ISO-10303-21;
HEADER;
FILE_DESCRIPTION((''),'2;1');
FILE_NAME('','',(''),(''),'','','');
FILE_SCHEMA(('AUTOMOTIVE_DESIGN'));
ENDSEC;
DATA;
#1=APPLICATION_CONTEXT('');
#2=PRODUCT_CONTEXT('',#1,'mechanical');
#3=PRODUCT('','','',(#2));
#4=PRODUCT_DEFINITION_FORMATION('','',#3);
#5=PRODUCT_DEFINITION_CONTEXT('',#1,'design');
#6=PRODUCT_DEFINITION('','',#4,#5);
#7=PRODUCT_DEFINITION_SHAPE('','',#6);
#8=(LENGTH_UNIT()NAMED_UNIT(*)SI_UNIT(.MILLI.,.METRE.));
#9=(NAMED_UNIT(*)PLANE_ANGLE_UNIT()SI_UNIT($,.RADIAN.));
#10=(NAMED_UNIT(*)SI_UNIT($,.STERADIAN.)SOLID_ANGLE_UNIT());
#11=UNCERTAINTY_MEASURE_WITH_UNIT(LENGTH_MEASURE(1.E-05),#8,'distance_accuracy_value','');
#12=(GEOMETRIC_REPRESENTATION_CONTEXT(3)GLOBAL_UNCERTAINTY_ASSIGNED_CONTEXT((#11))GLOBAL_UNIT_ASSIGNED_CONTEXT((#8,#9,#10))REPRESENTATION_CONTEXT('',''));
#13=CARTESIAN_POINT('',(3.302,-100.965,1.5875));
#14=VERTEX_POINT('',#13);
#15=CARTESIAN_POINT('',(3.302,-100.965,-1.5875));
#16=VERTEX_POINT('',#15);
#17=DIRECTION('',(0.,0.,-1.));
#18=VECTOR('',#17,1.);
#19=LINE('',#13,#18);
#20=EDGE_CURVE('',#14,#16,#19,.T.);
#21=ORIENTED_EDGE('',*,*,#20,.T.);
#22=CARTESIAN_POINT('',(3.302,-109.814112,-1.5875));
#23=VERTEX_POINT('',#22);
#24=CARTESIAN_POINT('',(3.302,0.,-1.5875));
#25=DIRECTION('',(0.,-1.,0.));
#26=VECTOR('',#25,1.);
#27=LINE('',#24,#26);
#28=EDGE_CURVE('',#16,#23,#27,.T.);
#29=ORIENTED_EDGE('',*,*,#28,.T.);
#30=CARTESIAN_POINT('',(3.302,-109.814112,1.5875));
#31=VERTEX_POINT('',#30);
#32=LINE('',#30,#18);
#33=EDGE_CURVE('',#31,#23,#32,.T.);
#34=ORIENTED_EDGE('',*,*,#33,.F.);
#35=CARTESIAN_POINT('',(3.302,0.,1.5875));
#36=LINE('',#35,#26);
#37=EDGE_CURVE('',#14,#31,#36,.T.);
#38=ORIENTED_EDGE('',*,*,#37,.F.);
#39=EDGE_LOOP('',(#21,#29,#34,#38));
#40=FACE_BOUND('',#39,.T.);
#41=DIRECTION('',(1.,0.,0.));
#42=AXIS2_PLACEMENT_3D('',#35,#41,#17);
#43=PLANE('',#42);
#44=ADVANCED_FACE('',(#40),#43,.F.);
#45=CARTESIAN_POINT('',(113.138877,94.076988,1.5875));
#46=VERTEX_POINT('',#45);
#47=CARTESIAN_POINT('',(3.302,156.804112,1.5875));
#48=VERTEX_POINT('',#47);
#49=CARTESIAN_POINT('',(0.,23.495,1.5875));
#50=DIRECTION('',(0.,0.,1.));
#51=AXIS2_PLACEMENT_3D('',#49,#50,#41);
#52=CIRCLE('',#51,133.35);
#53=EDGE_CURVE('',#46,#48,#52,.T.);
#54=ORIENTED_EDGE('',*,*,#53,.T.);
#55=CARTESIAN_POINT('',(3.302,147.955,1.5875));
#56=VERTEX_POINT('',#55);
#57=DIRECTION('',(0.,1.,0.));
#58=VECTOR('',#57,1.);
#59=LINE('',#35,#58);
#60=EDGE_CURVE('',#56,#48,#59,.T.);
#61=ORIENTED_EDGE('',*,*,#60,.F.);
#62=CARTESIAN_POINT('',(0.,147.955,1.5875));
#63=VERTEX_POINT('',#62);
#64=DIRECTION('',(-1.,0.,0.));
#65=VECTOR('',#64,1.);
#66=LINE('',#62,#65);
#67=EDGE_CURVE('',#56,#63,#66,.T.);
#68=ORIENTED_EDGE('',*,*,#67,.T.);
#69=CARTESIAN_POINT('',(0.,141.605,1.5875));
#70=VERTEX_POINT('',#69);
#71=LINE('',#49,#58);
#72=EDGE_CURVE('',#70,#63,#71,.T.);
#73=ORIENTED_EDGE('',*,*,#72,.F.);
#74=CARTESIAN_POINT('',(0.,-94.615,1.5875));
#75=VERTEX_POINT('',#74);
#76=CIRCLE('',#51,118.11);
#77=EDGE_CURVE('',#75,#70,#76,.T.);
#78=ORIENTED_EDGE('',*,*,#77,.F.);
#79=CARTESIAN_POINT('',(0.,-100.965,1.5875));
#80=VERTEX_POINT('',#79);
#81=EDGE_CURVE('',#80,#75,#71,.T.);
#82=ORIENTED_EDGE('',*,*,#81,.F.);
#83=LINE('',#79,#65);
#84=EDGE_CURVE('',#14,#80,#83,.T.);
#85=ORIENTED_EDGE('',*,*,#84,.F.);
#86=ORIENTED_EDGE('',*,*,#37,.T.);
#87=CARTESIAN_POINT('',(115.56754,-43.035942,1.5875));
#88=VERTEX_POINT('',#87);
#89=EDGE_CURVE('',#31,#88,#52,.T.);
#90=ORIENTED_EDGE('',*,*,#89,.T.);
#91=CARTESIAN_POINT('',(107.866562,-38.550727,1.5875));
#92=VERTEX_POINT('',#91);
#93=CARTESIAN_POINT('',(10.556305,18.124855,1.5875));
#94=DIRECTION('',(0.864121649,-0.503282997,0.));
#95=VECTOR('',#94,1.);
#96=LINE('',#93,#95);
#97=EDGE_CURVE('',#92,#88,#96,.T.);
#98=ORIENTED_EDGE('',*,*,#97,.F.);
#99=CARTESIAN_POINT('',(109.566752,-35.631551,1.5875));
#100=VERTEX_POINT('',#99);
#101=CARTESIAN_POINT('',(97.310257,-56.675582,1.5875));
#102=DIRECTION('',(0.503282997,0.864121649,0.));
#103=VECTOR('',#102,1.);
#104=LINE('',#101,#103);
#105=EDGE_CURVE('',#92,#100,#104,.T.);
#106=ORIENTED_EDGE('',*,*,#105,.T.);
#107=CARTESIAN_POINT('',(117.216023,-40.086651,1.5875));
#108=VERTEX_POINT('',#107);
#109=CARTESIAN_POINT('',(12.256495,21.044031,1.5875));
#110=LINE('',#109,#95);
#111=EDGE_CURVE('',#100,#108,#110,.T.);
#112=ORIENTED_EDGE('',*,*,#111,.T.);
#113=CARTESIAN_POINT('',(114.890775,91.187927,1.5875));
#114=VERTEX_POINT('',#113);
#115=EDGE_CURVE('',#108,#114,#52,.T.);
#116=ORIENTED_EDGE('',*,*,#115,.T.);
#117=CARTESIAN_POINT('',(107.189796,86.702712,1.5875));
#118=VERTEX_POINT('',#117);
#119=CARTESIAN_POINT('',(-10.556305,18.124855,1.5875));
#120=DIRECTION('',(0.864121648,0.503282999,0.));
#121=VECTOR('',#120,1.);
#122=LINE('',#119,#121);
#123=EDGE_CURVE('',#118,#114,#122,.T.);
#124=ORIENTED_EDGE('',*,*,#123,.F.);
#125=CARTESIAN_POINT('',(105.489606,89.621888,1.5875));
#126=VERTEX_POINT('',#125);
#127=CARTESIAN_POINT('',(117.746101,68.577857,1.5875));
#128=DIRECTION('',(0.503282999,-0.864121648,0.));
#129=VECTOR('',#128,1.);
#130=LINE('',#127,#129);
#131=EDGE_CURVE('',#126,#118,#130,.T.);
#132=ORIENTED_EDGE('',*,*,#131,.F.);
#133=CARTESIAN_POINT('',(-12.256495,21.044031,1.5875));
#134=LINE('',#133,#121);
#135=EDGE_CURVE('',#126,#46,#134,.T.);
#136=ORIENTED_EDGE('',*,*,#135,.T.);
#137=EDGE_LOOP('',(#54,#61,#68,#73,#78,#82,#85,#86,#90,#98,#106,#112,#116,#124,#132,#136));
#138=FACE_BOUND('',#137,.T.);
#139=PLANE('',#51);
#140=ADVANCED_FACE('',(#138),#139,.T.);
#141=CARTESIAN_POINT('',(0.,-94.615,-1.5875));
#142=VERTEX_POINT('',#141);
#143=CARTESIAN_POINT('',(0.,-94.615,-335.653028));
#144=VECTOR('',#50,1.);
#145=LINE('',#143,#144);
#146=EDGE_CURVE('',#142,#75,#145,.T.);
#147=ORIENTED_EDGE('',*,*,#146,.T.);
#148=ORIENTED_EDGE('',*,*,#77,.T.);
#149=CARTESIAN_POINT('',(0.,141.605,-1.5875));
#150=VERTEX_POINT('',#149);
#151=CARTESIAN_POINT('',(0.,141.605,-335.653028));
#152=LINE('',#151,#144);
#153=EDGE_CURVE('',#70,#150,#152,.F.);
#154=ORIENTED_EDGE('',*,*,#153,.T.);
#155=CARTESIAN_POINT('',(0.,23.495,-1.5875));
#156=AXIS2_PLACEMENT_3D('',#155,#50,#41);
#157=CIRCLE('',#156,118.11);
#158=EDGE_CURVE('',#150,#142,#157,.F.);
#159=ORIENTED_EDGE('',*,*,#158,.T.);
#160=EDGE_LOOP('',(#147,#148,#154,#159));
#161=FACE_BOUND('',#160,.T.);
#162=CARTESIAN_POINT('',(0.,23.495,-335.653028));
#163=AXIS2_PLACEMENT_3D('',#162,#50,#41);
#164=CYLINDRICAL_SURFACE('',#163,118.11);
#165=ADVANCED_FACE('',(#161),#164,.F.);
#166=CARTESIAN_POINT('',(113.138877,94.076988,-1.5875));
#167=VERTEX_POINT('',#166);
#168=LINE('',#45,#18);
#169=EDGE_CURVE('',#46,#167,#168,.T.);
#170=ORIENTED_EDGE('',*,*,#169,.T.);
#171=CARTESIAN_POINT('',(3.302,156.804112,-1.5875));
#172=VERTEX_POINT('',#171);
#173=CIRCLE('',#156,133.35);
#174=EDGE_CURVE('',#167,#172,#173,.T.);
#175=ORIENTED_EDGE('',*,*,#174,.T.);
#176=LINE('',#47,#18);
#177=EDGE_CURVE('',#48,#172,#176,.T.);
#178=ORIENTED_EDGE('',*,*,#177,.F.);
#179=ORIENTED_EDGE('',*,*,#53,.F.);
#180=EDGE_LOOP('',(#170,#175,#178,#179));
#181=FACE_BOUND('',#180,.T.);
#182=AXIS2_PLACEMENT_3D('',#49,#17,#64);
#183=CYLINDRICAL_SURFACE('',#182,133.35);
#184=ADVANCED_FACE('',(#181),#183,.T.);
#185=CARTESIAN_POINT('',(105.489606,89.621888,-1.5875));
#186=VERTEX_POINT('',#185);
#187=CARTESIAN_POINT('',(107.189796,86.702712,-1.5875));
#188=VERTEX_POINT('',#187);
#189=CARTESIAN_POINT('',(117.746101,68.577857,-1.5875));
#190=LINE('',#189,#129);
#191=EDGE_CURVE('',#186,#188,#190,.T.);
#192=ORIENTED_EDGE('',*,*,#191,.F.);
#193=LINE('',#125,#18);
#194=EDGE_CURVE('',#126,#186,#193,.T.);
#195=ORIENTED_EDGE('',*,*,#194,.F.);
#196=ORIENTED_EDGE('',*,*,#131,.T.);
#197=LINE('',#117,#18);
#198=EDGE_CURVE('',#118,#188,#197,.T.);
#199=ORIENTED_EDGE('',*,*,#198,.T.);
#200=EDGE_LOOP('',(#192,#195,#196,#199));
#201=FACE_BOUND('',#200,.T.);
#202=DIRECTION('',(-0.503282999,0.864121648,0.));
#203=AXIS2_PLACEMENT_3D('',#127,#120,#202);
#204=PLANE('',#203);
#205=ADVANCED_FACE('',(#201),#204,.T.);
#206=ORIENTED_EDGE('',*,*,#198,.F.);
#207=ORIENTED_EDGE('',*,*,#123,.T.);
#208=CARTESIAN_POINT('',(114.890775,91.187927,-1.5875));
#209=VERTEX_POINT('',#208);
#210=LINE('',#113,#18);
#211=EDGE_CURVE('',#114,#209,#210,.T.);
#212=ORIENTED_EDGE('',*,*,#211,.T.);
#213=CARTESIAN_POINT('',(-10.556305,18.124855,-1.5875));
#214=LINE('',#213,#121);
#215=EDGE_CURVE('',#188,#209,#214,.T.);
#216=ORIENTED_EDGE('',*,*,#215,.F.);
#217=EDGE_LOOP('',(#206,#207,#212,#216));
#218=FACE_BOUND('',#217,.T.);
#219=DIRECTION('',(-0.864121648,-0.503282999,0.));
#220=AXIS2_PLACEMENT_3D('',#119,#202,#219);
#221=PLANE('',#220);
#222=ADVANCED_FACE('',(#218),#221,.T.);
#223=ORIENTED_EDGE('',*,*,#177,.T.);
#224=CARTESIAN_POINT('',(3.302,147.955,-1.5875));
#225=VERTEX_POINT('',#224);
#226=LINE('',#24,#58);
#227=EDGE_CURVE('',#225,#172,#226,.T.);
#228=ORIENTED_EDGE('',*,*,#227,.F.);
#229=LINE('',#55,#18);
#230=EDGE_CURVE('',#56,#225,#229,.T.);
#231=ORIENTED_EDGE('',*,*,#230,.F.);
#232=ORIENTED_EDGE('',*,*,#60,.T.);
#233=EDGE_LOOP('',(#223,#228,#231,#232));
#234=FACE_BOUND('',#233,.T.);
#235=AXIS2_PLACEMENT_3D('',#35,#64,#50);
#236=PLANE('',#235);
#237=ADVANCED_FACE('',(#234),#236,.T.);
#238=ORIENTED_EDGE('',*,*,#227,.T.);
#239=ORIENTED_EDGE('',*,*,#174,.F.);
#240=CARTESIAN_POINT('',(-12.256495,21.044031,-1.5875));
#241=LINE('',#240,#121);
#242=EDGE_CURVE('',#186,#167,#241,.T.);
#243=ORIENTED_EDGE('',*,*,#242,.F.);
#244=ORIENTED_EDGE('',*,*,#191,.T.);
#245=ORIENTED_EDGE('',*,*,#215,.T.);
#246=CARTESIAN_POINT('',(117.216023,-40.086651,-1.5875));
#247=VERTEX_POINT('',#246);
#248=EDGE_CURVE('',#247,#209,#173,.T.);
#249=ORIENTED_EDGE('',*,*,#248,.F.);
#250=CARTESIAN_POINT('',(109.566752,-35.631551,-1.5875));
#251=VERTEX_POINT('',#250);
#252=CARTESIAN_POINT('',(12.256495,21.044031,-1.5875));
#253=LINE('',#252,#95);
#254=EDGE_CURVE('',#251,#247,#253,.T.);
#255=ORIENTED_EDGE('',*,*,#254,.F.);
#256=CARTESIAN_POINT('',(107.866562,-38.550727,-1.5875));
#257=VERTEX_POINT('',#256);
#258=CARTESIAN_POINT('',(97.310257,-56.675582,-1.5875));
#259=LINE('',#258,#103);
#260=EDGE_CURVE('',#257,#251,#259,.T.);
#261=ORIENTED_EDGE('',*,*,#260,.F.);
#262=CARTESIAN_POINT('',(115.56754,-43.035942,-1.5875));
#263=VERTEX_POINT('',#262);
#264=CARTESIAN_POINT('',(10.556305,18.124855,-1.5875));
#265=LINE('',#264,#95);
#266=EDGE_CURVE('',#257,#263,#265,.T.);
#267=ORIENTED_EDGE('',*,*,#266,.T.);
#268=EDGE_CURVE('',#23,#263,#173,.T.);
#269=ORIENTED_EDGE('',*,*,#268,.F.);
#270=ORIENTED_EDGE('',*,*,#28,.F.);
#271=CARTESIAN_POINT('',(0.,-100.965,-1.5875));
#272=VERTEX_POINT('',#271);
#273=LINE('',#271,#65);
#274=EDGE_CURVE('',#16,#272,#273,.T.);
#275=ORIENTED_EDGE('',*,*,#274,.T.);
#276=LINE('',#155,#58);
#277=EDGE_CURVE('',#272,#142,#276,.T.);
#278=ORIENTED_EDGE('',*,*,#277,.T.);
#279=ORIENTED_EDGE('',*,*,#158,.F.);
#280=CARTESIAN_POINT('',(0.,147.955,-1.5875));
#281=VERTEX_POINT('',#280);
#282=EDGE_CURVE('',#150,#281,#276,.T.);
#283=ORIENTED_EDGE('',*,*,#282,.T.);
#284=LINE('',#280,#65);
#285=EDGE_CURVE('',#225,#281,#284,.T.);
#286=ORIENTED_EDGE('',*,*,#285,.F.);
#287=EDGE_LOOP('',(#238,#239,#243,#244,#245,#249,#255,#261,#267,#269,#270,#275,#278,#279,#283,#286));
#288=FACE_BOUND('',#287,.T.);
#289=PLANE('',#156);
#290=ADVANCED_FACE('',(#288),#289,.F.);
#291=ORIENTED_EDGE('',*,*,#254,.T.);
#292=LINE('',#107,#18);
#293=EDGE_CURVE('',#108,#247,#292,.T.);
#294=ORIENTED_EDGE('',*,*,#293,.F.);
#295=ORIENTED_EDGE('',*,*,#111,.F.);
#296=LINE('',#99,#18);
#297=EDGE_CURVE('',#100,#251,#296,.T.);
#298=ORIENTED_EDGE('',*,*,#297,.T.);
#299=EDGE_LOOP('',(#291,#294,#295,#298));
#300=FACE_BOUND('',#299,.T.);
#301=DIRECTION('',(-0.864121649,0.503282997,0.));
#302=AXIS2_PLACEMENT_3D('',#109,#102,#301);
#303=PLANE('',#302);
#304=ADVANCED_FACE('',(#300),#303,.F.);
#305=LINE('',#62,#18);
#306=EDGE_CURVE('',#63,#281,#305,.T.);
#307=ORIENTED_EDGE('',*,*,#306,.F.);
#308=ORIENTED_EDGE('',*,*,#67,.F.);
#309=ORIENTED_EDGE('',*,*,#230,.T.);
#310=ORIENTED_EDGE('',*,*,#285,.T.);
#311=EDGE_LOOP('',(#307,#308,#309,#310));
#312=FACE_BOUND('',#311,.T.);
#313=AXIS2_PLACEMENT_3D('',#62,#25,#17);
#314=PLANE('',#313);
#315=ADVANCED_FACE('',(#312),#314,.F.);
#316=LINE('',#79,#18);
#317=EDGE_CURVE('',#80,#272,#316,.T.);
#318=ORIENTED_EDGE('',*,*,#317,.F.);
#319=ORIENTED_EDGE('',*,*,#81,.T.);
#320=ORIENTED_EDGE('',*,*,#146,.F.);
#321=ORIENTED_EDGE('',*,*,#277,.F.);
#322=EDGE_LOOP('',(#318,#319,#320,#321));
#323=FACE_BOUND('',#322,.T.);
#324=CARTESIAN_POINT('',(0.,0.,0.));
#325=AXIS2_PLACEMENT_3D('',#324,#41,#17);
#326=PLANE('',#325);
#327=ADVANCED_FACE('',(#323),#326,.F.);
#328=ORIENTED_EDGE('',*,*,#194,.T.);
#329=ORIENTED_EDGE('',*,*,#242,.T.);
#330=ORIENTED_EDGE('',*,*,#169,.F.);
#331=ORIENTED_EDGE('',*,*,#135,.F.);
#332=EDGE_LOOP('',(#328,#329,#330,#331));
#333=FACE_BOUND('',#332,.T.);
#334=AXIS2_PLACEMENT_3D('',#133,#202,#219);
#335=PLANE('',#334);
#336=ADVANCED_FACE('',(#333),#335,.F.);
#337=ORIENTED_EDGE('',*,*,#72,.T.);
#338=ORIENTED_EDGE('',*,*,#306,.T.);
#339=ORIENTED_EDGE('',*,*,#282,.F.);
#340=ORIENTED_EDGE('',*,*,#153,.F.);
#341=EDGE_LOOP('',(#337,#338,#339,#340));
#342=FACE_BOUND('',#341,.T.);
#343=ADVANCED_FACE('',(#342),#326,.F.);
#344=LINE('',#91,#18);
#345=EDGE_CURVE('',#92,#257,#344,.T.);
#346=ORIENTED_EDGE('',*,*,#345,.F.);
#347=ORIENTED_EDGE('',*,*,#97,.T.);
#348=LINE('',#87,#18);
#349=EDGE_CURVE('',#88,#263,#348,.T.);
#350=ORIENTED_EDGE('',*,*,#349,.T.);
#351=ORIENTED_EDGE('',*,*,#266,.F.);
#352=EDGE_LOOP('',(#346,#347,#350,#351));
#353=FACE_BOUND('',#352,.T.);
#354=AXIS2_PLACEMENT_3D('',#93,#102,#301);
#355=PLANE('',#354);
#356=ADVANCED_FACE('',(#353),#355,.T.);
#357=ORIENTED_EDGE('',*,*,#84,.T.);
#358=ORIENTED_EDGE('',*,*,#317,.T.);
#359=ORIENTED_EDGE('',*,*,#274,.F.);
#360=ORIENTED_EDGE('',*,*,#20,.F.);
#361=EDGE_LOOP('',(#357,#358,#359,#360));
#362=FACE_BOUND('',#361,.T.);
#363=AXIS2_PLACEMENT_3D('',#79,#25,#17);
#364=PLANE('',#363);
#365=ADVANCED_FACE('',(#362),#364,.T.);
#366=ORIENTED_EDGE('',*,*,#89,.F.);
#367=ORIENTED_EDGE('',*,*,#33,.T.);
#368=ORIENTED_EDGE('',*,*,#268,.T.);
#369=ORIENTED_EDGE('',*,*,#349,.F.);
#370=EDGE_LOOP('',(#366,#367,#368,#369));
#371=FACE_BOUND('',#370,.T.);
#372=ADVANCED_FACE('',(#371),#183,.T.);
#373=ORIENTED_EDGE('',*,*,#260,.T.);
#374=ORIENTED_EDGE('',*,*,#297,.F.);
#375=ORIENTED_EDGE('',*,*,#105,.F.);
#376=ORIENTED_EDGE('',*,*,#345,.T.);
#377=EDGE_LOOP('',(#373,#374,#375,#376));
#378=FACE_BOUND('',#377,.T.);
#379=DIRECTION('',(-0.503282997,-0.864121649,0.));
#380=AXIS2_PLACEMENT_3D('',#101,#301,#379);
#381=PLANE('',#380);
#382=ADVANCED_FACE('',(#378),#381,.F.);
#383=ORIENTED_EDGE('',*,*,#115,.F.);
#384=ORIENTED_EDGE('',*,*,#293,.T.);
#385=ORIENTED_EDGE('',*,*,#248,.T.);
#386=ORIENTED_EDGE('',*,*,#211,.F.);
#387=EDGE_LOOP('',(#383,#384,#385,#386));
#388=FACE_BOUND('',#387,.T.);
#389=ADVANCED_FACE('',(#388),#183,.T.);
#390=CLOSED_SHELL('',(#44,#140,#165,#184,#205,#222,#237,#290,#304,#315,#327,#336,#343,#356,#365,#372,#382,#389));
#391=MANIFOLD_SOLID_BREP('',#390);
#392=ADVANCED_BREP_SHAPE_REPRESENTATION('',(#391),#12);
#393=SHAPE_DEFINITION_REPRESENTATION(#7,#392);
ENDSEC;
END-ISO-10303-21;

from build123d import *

# Parameters (mm, degrees)
BOSS_EXTRUDE1_DEPTH = 1.5875
CUT_EXTRUDE1_DEPTH  = 3.175
FILLET1_R           = 8.89
SKETCH3_W           = 234.443386257
SKETCH3_H           = 422.563019086
CUT_EXTRUDE2_DEPTH  = 134.35
CUT_EXTRUDE3_DEPTH  = 4.175


with BuildPart() as part:
    # Sketch1 → Boss-Extrude1 (new body, symmetric)
    with BuildSketch(Plane.XY):
        with BuildLine():
            Line((-120.187952283, -34.272453), (-93.24718392, -61.213221363))
            Line((-93.24718392, -61.213221363), (-94.292689271, -70.797689271))
            ThreePointArc((-94.292689271, -70.797689271), (-77.124658044, -85.289234251), (-57.767453, -96.692952283))
            ThreePointArc((-57.767453, -96.692952283), (94.292689271, 117.787689271), (-120.187952283, -34.272453))
        make_face()
    extrude(amount=BOSS_EXTRUDE1_DEPTH, both=True)

    # Sketch2 → Cut-Extrude1 (cut)
    with BuildSketch(Plane.XY.offset(1.5875)):
        with BuildLine():
            Line((-77.304798152, -55.60299244), (-78.320318415, -64.912577861))
            ThreePointArc((-78.320318415, -64.912577861), (94.997930523, 93.675946819), (-107.51910025, -25.388690342))
            Line((-107.51910025, -25.388690342), (-77.304798152, -55.60299244))
        make_face()
    extrude(amount=-CUT_EXTRUDE1_DEPTH, mode=Mode.SUBTRACT)

    # Fillet1
    fillet1_edges = [part.edges().sort_by_distance(p)[0] for p in [
        (-77.304798152, -55.60299244, 0),
        (-107.51910025, -25.388690342, 0),
        (-78.320318415, -64.912577861, 0),
        (-93.24718392, -61.213221363, -0.79375),
        (-120.187952283, -34.272453, -0.79375),
        (-94.292689271, -70.797689271, -0.79375),
    ]]
    fillet(fillet1_edges, radius=FILLET1_R)

    # Sketch3 → Cut-Extrude2 (cut, through all)
    with BuildSketch(Plane(origin=(0, 0, 0), x_dir=(0, 0, -1), z_dir=(1, 0, 0))):
        with Locations((10.168628802, 16.433452221)):
            Rectangle(SKETCH3_W, SKETCH3_H)
    extrude(amount=-CUT_EXTRUDE2_DEPTH, mode=Mode.SUBTRACT)

    # Sketch4 → Cut-Extrude3 (cut, through all)
    with BuildSketch(Plane(origin=(0, 0, -1.5875), x_dir=(-1, 0, 0), z_dir=(0, 0, -1))):
        with BuildLine():
            Line((-3.302, 156.804111827), (-3.302, 147.955))
            Line((-3.302, 147.955), (0, 147.955))
            Line((0, 147.955), (0, 156.845))
            ThreePointArc((0, 156.845), (-1.651126573, 156.834777565), (-3.302, 156.804111827))
        make_face()
        with BuildLine():
            Line((-105.489605782, 89.621888205), (-113.138876948, 94.076987949))
            ThreePointArc((-113.138876948, 94.076987949), (-114.023976238, 92.638006465), (-114.890774539, 91.187927443))
            Line((-114.890774539, 91.187927443), (-107.18979641, 86.702712453))
            Line((-107.18979641, 86.702712453), (-105.489605782, 89.621888205))
        make_face()
        with BuildLine():
            Line((-109.566752285, -35.631551273), (-117.216023462, -40.086650998))
            ThreePointArc((-117.216023462, -40.086650998), (-116.401122895, -41.566517726), (-115.567539805, -43.035942))
            Line((-115.567539805, -43.035942), (-107.866561664, -38.550727029))
            Line((-107.866561664, -38.550727029), (-109.566752285, -35.631551273))
        make_face()
        with BuildLine():
            Line((-3.302, -100.965), (-3.302, -109.814111827))
            ThreePointArc((-3.302, -109.814111827), (-1.651126573, -109.844777565), (0, -109.855))
            Line((0, -109.855), (0, -100.965))
            Line((0, -100.965), (-3.302, -100.965))
        make_face()
    extrude(amount=-CUT_EXTRUDE3_DEPTH, mode=Mode.SUBTRACT)


solid = part.part
